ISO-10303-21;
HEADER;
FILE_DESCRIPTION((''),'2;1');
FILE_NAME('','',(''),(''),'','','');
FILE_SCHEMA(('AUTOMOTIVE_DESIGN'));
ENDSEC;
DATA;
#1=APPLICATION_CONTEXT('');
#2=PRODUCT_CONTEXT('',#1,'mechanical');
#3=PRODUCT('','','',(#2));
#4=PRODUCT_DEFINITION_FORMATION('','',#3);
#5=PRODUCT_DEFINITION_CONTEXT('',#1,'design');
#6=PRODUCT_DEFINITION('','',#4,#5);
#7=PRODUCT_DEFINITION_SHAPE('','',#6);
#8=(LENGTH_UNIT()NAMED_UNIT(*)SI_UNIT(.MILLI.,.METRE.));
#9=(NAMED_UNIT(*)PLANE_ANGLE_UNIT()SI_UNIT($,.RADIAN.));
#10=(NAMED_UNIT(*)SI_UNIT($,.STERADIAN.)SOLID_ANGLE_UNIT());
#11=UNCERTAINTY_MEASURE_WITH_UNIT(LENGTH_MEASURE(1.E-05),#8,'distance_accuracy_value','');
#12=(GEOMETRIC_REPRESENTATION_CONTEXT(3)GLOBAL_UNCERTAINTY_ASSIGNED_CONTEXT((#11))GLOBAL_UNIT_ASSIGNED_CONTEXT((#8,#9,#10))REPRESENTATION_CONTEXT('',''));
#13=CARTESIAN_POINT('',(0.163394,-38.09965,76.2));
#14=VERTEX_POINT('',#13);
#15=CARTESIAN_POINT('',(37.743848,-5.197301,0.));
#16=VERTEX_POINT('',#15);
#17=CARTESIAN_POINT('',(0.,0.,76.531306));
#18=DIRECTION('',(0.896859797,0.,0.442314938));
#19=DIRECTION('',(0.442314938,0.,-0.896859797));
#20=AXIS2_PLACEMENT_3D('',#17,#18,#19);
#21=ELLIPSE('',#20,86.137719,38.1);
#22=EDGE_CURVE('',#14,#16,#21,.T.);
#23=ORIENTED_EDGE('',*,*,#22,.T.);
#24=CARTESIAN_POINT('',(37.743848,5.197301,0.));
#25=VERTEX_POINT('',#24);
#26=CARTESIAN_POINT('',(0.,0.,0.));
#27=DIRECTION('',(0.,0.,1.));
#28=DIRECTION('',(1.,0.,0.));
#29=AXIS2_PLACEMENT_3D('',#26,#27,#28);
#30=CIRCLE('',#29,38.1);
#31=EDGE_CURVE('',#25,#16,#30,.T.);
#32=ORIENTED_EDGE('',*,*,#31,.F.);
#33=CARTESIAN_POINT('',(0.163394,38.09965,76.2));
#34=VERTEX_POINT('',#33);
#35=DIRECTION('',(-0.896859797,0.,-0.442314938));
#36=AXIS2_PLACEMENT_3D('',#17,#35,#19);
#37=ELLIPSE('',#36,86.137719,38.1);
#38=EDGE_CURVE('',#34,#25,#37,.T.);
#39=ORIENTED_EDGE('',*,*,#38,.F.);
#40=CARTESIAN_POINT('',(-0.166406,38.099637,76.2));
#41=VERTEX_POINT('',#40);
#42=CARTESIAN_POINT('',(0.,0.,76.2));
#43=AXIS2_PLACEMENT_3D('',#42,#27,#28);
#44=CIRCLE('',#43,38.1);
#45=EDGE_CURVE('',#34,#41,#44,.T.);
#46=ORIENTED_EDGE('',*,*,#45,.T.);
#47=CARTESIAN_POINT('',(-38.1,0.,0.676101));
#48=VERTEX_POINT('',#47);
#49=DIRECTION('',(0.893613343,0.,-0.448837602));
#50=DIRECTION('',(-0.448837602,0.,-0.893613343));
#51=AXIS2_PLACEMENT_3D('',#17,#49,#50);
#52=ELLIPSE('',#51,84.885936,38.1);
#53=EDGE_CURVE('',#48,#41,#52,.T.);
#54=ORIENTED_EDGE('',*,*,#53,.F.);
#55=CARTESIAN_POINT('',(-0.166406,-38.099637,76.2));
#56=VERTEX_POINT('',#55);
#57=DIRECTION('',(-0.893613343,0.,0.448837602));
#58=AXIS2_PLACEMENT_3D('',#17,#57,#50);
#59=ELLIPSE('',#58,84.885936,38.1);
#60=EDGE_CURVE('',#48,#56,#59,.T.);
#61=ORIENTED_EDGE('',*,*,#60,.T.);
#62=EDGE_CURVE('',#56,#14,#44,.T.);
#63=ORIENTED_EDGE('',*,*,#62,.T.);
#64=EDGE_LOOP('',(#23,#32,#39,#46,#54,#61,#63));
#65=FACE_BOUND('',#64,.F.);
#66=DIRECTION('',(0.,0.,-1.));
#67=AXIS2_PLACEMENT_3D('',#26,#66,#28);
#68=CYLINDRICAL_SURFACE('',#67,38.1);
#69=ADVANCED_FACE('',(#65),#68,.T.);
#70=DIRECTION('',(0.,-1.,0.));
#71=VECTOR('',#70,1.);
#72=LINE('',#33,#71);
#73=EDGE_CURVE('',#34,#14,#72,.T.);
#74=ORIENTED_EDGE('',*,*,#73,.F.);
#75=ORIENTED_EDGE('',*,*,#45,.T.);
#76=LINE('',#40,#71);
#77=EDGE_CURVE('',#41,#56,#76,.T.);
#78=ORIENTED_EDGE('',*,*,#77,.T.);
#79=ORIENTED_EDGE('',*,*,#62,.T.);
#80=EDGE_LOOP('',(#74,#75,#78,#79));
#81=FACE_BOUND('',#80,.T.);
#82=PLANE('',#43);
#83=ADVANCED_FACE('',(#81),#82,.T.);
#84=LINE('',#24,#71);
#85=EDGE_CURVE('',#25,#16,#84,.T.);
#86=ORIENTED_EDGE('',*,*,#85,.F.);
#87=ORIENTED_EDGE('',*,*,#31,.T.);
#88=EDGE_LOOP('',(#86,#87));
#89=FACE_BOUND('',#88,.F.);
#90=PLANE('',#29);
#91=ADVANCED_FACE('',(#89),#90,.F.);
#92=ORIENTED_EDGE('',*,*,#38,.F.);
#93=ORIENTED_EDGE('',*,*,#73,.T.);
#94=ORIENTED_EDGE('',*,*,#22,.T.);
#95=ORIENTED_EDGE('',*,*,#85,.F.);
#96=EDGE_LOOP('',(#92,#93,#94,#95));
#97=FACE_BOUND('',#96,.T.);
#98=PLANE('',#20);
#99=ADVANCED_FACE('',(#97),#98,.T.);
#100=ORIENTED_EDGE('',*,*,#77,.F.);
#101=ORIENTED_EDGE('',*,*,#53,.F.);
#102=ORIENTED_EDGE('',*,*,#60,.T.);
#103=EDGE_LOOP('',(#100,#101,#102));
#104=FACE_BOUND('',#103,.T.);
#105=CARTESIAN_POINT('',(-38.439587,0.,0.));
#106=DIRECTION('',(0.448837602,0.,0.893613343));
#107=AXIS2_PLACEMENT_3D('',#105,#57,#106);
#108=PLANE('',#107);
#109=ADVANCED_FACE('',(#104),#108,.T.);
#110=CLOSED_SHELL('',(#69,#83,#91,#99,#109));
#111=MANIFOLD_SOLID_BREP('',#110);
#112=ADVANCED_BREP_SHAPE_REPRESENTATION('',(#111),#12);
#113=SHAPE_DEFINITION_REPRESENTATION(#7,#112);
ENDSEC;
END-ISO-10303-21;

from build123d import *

# Parameters (mm, degrees)
F0_R     = 38.1
F1_DEPTH = 76.2
F3_DEPTH = 71.882
F4_DEPTH = 64.77


with BuildPart() as f1:
    # F0 (on Top) → F1 (new body)
    with BuildSketch(Plane.XY):
        Circle(F0_R)
    extrude(amount=F1_DEPTH)

    # F2 (on Front) → F3 (cut)
    with BuildSketch(Plane.XZ):
        Polygon((-49.077209, 0), (-38.439587, 0), (0, 76.531306), (37.743848, 0), (45.744851, 0), (45.744851, 81.064962), (-51.657092, 81.064962), align=None)
    extrude(amount=F3_DEPTH, mode=Mode.SUBTRACT)

    # F2 (on Front) → F4 (cut)
    with BuildSketch(Plane.XZ):
        Polygon((-49.077209, 0), (-38.439587, 0), (0, 76.531306), (37.743848, 0), (45.744851, 0), (45.744851, 81.064962), (-51.657092, 81.064962), align=None)
    extrude(amount=-F4_DEPTH, mode=Mode.SUBTRACT)


solid = f1.part
